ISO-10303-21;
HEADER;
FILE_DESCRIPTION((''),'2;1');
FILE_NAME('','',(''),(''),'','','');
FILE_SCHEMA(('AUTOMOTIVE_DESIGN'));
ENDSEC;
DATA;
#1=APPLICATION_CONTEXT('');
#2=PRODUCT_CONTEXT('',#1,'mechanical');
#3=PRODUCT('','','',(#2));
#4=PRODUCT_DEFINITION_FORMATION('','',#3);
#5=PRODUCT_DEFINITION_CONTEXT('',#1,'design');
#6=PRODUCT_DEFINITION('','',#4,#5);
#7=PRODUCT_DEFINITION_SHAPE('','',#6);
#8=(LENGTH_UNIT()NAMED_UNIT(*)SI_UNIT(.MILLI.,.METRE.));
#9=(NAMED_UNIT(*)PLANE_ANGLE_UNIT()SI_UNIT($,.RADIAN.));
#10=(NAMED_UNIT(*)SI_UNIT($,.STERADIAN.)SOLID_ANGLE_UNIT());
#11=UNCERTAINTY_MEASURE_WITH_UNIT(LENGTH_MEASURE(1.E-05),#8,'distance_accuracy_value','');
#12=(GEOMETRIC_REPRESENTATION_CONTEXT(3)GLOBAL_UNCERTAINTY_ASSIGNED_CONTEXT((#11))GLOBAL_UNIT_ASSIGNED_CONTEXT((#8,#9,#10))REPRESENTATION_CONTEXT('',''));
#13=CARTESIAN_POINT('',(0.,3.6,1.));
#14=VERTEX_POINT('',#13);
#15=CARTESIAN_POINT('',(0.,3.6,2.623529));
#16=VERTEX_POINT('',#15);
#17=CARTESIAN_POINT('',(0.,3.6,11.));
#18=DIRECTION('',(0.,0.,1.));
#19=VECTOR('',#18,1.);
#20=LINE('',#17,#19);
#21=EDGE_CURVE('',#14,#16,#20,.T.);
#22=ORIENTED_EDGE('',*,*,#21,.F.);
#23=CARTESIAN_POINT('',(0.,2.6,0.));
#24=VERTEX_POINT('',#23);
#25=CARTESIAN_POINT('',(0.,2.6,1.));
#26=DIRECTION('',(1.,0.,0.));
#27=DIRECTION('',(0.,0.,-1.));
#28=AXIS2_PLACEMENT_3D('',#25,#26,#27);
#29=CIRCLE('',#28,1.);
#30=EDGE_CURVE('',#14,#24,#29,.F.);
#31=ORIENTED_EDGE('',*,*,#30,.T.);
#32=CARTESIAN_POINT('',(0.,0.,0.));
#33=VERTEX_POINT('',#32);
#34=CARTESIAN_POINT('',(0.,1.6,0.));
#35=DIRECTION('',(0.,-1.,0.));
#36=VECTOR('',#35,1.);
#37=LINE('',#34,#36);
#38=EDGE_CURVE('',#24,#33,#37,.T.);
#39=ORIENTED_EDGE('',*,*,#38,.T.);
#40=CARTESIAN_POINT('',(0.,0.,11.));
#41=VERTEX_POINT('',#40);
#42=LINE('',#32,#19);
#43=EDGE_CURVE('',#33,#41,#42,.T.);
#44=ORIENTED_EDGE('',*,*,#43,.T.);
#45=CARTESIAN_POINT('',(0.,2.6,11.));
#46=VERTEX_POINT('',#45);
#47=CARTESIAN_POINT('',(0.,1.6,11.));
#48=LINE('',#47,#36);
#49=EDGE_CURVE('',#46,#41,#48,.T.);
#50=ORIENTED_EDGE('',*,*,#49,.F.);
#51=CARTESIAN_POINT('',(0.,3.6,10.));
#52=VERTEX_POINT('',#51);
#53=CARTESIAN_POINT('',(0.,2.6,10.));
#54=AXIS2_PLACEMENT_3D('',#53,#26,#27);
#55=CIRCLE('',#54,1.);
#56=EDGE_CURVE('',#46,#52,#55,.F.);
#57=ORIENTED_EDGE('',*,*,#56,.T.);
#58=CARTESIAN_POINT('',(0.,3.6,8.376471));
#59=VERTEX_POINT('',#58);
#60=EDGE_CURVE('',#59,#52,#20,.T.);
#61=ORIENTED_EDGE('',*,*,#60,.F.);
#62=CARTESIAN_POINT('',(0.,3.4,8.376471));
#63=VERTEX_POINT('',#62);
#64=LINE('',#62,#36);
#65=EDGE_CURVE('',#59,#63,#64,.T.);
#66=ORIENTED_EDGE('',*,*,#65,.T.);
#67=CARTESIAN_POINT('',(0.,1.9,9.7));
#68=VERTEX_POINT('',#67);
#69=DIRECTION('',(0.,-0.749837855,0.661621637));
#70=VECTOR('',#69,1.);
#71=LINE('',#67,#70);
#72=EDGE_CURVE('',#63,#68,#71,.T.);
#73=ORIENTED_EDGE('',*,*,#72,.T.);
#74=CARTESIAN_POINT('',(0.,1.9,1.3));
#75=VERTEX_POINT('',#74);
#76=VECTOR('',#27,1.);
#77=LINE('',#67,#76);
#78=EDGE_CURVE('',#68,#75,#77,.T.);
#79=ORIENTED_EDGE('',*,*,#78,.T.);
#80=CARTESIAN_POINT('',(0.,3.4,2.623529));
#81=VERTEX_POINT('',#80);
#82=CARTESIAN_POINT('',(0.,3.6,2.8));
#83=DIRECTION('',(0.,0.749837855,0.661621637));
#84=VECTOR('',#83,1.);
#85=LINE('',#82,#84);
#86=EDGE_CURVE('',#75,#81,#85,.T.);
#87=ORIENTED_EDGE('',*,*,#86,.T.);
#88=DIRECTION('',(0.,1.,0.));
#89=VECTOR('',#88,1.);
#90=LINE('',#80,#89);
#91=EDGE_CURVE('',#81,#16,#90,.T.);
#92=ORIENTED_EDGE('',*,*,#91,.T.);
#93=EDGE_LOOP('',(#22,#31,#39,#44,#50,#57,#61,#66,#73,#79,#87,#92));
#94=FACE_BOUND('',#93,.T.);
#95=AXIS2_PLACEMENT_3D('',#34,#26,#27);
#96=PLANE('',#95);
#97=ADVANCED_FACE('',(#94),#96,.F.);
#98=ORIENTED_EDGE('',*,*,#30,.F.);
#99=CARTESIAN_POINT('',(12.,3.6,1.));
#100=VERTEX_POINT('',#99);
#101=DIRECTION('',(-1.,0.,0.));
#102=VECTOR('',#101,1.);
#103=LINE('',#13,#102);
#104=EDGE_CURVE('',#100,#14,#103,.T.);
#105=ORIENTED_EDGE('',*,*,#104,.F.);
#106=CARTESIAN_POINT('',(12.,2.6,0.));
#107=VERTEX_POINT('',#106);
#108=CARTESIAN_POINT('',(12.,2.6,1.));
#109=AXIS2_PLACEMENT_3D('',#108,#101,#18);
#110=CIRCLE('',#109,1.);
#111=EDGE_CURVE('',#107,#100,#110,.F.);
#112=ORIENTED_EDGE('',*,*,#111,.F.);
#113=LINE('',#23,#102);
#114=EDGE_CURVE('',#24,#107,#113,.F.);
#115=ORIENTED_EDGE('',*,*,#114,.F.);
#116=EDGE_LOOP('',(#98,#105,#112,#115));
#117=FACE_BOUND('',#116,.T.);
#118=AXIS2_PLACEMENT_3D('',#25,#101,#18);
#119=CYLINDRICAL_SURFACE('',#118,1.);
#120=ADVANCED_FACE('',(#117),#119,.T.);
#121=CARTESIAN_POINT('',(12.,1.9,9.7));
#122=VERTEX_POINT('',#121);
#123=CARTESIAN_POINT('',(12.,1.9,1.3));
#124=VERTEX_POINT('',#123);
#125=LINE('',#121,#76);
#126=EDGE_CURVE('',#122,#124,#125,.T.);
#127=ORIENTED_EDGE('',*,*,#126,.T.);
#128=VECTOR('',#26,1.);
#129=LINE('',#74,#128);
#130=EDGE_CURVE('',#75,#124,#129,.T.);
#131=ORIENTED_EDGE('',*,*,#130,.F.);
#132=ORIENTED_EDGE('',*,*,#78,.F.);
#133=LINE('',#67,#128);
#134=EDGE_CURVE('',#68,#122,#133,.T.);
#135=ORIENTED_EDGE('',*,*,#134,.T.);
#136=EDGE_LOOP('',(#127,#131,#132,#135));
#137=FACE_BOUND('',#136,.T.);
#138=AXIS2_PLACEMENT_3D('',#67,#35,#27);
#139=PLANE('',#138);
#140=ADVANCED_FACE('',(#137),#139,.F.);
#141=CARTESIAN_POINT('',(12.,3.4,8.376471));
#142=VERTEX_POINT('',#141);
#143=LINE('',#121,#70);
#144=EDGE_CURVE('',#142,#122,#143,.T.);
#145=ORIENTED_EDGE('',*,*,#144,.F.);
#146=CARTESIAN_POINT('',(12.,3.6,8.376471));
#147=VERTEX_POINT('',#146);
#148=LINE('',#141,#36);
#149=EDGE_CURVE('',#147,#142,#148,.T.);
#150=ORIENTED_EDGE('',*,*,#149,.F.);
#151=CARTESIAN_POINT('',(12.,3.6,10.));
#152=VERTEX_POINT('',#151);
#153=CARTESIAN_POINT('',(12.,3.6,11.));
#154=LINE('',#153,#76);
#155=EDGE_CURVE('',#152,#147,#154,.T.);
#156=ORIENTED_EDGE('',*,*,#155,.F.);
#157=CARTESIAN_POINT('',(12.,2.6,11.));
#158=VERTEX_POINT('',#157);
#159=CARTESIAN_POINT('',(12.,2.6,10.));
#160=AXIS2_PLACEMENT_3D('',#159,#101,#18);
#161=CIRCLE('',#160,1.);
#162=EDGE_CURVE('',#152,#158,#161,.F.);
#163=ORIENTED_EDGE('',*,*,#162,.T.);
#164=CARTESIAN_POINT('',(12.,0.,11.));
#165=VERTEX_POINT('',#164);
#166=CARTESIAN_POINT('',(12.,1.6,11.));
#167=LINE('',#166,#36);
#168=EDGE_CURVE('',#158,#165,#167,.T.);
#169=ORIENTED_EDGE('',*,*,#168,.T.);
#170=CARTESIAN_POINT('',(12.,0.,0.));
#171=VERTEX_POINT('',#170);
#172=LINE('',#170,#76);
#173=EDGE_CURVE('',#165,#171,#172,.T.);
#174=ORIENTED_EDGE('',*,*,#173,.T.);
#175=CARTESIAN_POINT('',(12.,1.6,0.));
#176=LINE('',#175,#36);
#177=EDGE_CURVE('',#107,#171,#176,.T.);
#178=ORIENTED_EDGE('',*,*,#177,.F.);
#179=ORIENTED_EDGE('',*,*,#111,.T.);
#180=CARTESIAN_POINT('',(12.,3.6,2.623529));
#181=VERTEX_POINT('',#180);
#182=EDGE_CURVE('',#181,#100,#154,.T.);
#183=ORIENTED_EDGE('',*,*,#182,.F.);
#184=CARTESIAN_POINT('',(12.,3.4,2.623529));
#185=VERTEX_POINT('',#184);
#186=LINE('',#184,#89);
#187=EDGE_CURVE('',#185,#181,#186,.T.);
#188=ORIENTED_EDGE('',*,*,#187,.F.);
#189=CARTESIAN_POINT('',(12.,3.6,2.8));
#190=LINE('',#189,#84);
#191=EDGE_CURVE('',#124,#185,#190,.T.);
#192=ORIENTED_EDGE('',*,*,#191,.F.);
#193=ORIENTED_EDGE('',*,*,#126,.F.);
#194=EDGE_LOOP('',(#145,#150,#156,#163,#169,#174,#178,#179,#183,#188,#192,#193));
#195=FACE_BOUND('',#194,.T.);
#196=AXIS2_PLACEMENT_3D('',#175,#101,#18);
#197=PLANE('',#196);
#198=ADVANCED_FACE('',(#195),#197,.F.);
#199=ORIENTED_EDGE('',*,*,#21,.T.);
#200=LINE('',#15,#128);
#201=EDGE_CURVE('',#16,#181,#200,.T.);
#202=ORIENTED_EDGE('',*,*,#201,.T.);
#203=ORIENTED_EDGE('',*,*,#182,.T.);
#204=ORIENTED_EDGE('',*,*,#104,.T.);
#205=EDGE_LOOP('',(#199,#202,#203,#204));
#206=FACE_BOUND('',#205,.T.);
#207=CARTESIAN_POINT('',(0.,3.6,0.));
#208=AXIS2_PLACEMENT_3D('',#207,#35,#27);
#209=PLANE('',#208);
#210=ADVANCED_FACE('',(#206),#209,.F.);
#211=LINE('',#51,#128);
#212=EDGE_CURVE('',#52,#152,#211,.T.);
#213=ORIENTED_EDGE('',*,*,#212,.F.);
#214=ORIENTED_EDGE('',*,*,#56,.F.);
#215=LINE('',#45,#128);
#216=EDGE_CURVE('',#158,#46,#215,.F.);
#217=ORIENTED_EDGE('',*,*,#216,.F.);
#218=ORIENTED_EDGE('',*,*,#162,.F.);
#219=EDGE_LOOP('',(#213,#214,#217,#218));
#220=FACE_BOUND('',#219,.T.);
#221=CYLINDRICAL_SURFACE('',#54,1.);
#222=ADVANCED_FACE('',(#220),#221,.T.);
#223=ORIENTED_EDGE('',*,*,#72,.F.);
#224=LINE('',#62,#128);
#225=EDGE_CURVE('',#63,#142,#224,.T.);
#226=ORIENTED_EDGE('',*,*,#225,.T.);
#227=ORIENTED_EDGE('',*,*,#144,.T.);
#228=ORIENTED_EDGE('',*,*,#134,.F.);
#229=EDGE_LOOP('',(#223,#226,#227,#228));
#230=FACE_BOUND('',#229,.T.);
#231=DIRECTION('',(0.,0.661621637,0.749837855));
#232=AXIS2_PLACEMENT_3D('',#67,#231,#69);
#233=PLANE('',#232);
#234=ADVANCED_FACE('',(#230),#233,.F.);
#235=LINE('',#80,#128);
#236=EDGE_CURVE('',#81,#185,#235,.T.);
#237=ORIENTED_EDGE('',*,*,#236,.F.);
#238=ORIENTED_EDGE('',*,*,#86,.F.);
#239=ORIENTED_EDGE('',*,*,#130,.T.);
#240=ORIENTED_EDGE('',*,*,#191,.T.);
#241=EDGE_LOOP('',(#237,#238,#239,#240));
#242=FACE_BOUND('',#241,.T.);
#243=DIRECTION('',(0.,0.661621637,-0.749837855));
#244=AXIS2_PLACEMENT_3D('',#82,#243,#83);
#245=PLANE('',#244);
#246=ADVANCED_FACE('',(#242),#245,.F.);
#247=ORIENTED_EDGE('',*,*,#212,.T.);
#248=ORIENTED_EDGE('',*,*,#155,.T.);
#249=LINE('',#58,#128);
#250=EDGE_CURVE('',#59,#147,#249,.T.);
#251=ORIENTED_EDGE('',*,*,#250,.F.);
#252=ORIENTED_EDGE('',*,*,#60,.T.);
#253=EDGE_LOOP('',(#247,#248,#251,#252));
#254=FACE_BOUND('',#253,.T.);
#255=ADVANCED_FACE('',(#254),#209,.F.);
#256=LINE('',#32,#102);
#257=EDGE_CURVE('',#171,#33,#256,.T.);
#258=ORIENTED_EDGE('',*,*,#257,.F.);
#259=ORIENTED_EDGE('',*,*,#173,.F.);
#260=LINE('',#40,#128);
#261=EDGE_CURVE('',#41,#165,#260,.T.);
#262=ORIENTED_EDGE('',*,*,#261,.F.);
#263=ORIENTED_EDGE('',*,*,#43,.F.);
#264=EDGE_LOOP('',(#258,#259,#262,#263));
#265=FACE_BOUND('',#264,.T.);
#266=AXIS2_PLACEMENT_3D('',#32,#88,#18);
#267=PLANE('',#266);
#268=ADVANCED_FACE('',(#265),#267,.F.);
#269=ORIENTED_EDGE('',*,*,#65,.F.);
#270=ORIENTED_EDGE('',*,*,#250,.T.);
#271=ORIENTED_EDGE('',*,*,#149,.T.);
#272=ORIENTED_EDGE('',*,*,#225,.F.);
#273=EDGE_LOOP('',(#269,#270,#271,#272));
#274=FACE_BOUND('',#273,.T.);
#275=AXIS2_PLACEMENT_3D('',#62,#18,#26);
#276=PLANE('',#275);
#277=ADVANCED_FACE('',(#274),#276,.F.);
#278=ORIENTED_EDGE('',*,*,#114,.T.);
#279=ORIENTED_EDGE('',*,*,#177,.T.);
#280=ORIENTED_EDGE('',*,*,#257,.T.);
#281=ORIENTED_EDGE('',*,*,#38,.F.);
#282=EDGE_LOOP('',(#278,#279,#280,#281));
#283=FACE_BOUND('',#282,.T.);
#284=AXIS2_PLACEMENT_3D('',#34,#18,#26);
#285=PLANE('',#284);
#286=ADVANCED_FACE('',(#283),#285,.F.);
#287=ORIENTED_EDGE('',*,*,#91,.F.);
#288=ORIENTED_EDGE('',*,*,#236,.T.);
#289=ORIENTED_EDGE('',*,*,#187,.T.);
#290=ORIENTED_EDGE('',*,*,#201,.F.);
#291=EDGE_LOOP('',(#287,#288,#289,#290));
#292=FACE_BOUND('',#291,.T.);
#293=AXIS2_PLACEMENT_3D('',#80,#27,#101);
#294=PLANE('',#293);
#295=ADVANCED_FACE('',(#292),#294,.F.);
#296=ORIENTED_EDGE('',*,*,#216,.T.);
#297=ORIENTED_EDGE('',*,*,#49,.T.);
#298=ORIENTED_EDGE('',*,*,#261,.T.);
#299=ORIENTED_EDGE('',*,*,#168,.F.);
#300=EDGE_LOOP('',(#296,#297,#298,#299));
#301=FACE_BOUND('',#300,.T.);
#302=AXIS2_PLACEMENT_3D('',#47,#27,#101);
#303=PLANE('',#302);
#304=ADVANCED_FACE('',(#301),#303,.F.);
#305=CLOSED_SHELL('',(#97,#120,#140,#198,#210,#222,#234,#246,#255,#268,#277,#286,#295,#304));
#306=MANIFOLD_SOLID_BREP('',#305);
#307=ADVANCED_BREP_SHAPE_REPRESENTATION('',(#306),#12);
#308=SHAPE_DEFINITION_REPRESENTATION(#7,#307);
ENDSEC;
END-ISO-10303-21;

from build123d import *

# Parameters (mm, degrees)
SKETCH1_W           = 12
SKETCH1_H           = 11
BOSS_EXTRUDE1_DEPTH = 1.6
SKETCH2_W           = 12
SKETCH2_H           = 11
BOSS_EXTRUDE2_DEPTH = 2
CUT_EXTRUDE1_DEPTH  = 17.672132437
CUT_EXTRUDE2_DEPTH  = 17.672132437
FILLET1_R           = 1


with BuildPart() as part:
    # Sketch1 → Boss-Extrude1 (new body)
    with BuildSketch(Plane(origin=(0, 0, 0), x_dir=(1, 0, 0), z_dir=(0, 1, 0))):
        with Locations((6, -5.5)):
            Rectangle(SKETCH1_W, SKETCH1_H)
    extrude(amount=BOSS_EXTRUDE1_DEPTH)

    # Sketch2 → Boss-Extrude2 (add)
    with BuildSketch(Plane(origin=(0, 1.6, 0), x_dir=(1, 0, 0), z_dir=(0, 1, 0))):
        with Locations((6, -5.5)):
            Rectangle(SKETCH2_W, SKETCH2_H)
    extrude(amount=BOSS_EXTRUDE2_DEPTH)

    # Sketch3 → Cut-Extrude1 (cut, through all)
    with BuildSketch(Plane(origin=(12, 0, 0), x_dir=(0, 0, -1), z_dir=(1, 0, 0))):
        Polygon((-9.7, 1.9), (-8.2, 3.6), (-2.8, 3.6), (-1.3, 1.9), align=None)
    extrude(amount=-CUT_EXTRUDE1_DEPTH, mode=Mode.SUBTRACT)

    # Sketch4 → Cut-Extrude2 (cut, through all)
    with BuildSketch(Plane(origin=(12, 0, 0), x_dir=(0, 0, -1), z_dir=(1, 0, 0))):
        Polygon((-8.376470588, 3.4), (-8.376470588, 3.6), (-8.2, 3.6), align=None)
        Polygon((-2.623529412, 3.4), (-2.623529412, 3.6), (-2.8, 3.6), align=None)
    extrude(amount=-CUT_EXTRUDE2_DEPTH, mode=Mode.SUBTRACT)

    # Fillet1
    fillet1_edges = [part.edges().sort_by_distance(p)[0] for p in [
        (6, 3.6, 11),
        (6, 3.6, 0),
    ]]
    fillet(fillet1_edges, radius=FILLET1_R)


solid = part.part
